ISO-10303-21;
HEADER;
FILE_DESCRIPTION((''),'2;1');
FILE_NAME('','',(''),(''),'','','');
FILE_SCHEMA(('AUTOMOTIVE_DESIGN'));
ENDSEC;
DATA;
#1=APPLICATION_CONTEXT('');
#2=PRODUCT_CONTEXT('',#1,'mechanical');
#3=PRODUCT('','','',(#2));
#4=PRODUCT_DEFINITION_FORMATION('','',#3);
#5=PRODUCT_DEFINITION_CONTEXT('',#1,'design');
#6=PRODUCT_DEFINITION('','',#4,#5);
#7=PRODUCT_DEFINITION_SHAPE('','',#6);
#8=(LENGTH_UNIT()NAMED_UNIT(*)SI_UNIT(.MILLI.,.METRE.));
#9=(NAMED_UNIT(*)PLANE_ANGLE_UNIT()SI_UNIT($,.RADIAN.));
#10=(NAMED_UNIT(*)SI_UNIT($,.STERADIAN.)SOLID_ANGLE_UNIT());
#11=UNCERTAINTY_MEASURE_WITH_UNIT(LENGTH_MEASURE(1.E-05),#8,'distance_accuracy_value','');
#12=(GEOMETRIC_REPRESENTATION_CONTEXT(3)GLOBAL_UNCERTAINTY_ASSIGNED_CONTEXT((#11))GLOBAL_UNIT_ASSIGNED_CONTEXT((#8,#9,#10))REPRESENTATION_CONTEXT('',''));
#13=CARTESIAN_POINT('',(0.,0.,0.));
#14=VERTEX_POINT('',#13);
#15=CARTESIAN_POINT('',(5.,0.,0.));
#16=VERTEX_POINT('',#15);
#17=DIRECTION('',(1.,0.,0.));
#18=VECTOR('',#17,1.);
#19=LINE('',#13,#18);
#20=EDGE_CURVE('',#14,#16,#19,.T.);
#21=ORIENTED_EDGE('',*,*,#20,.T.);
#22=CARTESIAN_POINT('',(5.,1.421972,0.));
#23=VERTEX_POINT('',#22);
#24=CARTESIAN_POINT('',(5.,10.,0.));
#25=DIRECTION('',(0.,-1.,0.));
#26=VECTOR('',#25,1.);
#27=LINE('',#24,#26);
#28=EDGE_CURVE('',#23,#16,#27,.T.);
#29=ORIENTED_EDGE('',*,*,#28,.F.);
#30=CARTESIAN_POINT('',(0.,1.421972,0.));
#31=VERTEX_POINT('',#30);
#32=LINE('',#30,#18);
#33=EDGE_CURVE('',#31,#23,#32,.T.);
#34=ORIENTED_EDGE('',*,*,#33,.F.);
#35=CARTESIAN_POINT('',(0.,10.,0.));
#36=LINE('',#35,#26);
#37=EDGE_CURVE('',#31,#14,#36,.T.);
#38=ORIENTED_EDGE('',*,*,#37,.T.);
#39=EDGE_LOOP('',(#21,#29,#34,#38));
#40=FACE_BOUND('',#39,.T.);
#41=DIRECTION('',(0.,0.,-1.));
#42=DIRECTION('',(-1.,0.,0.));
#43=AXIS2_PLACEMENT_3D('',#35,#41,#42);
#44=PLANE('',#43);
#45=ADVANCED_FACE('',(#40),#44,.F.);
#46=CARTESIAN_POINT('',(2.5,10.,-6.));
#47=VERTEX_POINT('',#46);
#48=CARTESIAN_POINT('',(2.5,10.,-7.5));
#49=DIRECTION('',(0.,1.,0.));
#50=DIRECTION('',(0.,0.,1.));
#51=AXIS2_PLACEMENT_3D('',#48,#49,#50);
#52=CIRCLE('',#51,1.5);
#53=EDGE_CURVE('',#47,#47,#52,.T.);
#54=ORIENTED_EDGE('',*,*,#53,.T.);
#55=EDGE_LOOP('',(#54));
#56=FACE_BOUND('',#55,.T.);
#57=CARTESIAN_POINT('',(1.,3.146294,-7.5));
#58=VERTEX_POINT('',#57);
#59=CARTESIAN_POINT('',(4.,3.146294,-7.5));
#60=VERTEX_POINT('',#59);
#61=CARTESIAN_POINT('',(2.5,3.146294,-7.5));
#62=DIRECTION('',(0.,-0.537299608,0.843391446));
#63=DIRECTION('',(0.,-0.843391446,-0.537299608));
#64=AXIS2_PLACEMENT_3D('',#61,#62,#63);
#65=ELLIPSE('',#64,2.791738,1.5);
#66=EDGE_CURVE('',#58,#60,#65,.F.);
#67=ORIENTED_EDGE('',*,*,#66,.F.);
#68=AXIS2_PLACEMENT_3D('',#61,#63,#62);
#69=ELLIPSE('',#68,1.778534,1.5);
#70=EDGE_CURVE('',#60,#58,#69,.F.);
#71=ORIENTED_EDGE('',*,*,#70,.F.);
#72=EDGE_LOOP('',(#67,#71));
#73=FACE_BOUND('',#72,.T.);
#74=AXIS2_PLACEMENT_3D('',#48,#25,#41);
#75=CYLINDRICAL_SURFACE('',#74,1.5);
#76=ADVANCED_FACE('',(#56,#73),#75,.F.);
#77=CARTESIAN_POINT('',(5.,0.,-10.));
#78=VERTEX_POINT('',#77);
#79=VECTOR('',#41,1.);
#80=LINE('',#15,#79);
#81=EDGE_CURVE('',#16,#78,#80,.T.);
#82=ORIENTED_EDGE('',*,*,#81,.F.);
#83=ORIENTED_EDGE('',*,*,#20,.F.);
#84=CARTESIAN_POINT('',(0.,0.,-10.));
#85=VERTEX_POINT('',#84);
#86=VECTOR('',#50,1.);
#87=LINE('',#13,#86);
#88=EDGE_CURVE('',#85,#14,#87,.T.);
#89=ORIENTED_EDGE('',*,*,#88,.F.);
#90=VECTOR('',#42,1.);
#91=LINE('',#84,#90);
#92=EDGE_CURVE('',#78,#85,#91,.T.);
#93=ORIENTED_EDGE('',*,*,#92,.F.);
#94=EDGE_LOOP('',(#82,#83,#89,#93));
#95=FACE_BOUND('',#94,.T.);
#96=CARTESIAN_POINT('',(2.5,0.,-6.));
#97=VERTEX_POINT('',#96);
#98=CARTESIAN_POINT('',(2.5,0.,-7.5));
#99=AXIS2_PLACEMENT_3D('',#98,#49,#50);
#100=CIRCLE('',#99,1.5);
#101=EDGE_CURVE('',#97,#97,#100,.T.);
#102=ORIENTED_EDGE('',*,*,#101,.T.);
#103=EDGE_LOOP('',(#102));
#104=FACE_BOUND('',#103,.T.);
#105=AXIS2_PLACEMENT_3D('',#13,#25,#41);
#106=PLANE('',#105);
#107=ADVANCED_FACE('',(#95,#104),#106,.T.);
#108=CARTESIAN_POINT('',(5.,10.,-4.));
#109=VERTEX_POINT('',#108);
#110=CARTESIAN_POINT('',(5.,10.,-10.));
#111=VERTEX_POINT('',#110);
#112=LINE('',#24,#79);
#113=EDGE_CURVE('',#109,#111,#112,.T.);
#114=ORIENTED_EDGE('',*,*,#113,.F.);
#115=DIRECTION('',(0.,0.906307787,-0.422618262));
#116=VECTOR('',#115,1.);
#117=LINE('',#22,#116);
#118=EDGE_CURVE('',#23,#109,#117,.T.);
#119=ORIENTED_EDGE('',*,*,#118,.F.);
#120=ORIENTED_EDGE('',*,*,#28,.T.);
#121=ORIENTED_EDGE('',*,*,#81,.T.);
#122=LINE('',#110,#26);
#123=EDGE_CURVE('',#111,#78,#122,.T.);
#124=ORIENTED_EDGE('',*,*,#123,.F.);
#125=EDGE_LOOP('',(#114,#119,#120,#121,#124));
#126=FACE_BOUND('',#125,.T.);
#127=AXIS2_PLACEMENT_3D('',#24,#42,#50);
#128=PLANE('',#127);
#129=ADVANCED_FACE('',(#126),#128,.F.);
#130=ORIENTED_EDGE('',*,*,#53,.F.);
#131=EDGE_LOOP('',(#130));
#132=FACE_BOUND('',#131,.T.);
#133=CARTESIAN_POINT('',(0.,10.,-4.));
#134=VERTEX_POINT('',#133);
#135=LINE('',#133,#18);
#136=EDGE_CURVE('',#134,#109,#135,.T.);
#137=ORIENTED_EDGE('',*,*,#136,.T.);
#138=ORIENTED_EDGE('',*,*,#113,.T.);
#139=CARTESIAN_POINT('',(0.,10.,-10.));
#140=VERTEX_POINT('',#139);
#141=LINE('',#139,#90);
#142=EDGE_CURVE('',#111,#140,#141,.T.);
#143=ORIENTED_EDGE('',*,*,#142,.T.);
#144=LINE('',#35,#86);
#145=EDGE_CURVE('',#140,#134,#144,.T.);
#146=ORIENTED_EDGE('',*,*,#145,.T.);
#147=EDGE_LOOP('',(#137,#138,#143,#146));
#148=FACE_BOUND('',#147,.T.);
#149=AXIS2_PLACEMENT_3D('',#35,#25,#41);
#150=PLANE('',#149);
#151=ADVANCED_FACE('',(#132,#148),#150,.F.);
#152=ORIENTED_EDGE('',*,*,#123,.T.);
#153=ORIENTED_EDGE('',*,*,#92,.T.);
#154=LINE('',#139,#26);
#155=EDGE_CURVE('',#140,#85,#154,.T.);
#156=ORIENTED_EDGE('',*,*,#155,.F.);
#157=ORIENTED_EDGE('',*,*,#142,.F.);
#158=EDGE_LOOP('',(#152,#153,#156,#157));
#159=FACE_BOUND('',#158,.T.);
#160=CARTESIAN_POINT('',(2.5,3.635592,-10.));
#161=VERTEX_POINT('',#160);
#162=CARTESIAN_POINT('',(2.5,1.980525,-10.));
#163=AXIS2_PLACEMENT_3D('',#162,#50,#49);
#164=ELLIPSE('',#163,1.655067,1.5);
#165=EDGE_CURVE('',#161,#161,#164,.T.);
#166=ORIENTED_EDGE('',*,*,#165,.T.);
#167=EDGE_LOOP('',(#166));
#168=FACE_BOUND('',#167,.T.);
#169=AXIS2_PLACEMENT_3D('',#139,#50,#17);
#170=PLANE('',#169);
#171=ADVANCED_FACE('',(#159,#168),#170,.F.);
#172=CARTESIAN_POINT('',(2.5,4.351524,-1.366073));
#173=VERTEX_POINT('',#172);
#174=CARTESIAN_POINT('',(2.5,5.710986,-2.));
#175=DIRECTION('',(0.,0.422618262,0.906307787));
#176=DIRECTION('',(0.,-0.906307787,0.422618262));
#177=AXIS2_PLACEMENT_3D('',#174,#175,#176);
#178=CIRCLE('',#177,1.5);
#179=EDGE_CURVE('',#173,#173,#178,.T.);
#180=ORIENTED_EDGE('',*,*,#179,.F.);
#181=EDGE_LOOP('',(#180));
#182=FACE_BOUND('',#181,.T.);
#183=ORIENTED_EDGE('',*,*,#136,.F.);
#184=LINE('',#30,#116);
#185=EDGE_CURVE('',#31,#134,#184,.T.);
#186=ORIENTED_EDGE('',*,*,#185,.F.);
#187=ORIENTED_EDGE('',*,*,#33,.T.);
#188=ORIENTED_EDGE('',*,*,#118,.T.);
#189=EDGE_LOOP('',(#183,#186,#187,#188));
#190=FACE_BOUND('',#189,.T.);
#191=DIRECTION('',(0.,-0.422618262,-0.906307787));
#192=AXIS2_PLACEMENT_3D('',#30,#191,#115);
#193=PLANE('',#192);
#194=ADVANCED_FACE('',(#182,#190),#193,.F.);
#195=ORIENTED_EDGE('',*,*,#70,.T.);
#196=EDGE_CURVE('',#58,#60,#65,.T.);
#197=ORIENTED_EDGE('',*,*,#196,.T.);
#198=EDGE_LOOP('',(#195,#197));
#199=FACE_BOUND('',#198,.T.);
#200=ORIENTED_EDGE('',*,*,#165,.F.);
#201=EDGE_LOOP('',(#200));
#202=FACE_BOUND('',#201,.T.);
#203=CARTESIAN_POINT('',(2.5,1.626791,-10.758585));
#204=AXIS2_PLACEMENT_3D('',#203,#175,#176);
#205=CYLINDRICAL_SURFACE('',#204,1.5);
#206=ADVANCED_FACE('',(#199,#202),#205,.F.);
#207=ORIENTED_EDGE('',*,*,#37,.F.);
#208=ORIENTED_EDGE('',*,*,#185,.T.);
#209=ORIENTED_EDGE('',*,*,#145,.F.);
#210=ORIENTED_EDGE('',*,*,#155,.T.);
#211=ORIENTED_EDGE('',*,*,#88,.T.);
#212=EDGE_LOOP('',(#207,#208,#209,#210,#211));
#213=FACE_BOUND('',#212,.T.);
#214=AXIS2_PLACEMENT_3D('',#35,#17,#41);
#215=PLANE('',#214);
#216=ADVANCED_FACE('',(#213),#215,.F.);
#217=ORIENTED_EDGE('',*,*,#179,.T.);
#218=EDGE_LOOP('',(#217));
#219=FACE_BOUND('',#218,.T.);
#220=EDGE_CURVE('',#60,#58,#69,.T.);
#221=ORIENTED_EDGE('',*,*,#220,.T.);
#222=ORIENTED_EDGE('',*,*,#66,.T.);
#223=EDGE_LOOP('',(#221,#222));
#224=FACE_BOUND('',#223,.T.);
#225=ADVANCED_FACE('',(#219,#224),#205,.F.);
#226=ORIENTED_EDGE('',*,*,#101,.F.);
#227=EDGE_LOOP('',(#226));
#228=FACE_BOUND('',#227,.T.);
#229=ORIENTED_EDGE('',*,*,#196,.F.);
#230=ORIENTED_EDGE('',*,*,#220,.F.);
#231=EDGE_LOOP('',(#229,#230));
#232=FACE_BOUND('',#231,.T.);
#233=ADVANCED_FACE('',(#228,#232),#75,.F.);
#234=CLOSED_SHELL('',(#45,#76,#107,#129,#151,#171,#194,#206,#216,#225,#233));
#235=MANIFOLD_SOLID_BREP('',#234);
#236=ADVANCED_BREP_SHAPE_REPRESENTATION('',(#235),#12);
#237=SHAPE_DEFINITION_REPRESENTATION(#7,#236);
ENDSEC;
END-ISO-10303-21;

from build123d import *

# Parameters (mm, degrees)
SKETCH_1_W          = 5
SKETCH_1_H          = 10
SKETCH_1_R          = 1.5
EXTRUDE_1_DEPTH     = 10
CUT_EXTRUDE_1_DEPTH = 5
SKETCH_3_R          = 1.5
CUT_EXTRUDE_2_DEPTH = 16.204427687


with BuildPart() as part:
    # 草图1 → 凸台-拉伸1 (new body)
    with BuildSketch(Plane(origin=(0, 0, 0), x_dir=(1, 0, 0), z_dir=(0, 1, 0))):
        with Locations((2.5, 5)):
            Rectangle(SKETCH_1_W, SKETCH_1_H)
        with Locations(Location((2.5, 7.5, 0), (0, 0, 270))):
            Circle(SKETCH_1_R, mode=Mode.SUBTRACT)
    extrude(amount=EXTRUDE_1_DEPTH)

    # 草图2 → 切除-拉伸1 (cut)
    with BuildSketch(Plane(origin=(5, 0, 0), x_dir=(0, 0, -1), z_dir=(1, 0, 0))):
        Polygon((0, 1.421972318), (4, 10), (0, 10), align=None)
    extrude(amount=-CUT_EXTRUDE_1_DEPTH, mode=Mode.SUBTRACT)

    # 草图3 → 切除-拉伸2 (cut, through all)
    with BuildSketch(Plane(origin=(0, 0.253973065, 0.544646996), x_dir=(1, 0, 0), z_dir=(0, 0.4226182617406972, 0.9063077870366509))):
        with Locations(Location((2.5, 6.021147751, 0), (0, 0, 270))):
            Circle(SKETCH_3_R)
    extrude(amount=-CUT_EXTRUDE_2_DEPTH, mode=Mode.SUBTRACT)


solid = part.part
